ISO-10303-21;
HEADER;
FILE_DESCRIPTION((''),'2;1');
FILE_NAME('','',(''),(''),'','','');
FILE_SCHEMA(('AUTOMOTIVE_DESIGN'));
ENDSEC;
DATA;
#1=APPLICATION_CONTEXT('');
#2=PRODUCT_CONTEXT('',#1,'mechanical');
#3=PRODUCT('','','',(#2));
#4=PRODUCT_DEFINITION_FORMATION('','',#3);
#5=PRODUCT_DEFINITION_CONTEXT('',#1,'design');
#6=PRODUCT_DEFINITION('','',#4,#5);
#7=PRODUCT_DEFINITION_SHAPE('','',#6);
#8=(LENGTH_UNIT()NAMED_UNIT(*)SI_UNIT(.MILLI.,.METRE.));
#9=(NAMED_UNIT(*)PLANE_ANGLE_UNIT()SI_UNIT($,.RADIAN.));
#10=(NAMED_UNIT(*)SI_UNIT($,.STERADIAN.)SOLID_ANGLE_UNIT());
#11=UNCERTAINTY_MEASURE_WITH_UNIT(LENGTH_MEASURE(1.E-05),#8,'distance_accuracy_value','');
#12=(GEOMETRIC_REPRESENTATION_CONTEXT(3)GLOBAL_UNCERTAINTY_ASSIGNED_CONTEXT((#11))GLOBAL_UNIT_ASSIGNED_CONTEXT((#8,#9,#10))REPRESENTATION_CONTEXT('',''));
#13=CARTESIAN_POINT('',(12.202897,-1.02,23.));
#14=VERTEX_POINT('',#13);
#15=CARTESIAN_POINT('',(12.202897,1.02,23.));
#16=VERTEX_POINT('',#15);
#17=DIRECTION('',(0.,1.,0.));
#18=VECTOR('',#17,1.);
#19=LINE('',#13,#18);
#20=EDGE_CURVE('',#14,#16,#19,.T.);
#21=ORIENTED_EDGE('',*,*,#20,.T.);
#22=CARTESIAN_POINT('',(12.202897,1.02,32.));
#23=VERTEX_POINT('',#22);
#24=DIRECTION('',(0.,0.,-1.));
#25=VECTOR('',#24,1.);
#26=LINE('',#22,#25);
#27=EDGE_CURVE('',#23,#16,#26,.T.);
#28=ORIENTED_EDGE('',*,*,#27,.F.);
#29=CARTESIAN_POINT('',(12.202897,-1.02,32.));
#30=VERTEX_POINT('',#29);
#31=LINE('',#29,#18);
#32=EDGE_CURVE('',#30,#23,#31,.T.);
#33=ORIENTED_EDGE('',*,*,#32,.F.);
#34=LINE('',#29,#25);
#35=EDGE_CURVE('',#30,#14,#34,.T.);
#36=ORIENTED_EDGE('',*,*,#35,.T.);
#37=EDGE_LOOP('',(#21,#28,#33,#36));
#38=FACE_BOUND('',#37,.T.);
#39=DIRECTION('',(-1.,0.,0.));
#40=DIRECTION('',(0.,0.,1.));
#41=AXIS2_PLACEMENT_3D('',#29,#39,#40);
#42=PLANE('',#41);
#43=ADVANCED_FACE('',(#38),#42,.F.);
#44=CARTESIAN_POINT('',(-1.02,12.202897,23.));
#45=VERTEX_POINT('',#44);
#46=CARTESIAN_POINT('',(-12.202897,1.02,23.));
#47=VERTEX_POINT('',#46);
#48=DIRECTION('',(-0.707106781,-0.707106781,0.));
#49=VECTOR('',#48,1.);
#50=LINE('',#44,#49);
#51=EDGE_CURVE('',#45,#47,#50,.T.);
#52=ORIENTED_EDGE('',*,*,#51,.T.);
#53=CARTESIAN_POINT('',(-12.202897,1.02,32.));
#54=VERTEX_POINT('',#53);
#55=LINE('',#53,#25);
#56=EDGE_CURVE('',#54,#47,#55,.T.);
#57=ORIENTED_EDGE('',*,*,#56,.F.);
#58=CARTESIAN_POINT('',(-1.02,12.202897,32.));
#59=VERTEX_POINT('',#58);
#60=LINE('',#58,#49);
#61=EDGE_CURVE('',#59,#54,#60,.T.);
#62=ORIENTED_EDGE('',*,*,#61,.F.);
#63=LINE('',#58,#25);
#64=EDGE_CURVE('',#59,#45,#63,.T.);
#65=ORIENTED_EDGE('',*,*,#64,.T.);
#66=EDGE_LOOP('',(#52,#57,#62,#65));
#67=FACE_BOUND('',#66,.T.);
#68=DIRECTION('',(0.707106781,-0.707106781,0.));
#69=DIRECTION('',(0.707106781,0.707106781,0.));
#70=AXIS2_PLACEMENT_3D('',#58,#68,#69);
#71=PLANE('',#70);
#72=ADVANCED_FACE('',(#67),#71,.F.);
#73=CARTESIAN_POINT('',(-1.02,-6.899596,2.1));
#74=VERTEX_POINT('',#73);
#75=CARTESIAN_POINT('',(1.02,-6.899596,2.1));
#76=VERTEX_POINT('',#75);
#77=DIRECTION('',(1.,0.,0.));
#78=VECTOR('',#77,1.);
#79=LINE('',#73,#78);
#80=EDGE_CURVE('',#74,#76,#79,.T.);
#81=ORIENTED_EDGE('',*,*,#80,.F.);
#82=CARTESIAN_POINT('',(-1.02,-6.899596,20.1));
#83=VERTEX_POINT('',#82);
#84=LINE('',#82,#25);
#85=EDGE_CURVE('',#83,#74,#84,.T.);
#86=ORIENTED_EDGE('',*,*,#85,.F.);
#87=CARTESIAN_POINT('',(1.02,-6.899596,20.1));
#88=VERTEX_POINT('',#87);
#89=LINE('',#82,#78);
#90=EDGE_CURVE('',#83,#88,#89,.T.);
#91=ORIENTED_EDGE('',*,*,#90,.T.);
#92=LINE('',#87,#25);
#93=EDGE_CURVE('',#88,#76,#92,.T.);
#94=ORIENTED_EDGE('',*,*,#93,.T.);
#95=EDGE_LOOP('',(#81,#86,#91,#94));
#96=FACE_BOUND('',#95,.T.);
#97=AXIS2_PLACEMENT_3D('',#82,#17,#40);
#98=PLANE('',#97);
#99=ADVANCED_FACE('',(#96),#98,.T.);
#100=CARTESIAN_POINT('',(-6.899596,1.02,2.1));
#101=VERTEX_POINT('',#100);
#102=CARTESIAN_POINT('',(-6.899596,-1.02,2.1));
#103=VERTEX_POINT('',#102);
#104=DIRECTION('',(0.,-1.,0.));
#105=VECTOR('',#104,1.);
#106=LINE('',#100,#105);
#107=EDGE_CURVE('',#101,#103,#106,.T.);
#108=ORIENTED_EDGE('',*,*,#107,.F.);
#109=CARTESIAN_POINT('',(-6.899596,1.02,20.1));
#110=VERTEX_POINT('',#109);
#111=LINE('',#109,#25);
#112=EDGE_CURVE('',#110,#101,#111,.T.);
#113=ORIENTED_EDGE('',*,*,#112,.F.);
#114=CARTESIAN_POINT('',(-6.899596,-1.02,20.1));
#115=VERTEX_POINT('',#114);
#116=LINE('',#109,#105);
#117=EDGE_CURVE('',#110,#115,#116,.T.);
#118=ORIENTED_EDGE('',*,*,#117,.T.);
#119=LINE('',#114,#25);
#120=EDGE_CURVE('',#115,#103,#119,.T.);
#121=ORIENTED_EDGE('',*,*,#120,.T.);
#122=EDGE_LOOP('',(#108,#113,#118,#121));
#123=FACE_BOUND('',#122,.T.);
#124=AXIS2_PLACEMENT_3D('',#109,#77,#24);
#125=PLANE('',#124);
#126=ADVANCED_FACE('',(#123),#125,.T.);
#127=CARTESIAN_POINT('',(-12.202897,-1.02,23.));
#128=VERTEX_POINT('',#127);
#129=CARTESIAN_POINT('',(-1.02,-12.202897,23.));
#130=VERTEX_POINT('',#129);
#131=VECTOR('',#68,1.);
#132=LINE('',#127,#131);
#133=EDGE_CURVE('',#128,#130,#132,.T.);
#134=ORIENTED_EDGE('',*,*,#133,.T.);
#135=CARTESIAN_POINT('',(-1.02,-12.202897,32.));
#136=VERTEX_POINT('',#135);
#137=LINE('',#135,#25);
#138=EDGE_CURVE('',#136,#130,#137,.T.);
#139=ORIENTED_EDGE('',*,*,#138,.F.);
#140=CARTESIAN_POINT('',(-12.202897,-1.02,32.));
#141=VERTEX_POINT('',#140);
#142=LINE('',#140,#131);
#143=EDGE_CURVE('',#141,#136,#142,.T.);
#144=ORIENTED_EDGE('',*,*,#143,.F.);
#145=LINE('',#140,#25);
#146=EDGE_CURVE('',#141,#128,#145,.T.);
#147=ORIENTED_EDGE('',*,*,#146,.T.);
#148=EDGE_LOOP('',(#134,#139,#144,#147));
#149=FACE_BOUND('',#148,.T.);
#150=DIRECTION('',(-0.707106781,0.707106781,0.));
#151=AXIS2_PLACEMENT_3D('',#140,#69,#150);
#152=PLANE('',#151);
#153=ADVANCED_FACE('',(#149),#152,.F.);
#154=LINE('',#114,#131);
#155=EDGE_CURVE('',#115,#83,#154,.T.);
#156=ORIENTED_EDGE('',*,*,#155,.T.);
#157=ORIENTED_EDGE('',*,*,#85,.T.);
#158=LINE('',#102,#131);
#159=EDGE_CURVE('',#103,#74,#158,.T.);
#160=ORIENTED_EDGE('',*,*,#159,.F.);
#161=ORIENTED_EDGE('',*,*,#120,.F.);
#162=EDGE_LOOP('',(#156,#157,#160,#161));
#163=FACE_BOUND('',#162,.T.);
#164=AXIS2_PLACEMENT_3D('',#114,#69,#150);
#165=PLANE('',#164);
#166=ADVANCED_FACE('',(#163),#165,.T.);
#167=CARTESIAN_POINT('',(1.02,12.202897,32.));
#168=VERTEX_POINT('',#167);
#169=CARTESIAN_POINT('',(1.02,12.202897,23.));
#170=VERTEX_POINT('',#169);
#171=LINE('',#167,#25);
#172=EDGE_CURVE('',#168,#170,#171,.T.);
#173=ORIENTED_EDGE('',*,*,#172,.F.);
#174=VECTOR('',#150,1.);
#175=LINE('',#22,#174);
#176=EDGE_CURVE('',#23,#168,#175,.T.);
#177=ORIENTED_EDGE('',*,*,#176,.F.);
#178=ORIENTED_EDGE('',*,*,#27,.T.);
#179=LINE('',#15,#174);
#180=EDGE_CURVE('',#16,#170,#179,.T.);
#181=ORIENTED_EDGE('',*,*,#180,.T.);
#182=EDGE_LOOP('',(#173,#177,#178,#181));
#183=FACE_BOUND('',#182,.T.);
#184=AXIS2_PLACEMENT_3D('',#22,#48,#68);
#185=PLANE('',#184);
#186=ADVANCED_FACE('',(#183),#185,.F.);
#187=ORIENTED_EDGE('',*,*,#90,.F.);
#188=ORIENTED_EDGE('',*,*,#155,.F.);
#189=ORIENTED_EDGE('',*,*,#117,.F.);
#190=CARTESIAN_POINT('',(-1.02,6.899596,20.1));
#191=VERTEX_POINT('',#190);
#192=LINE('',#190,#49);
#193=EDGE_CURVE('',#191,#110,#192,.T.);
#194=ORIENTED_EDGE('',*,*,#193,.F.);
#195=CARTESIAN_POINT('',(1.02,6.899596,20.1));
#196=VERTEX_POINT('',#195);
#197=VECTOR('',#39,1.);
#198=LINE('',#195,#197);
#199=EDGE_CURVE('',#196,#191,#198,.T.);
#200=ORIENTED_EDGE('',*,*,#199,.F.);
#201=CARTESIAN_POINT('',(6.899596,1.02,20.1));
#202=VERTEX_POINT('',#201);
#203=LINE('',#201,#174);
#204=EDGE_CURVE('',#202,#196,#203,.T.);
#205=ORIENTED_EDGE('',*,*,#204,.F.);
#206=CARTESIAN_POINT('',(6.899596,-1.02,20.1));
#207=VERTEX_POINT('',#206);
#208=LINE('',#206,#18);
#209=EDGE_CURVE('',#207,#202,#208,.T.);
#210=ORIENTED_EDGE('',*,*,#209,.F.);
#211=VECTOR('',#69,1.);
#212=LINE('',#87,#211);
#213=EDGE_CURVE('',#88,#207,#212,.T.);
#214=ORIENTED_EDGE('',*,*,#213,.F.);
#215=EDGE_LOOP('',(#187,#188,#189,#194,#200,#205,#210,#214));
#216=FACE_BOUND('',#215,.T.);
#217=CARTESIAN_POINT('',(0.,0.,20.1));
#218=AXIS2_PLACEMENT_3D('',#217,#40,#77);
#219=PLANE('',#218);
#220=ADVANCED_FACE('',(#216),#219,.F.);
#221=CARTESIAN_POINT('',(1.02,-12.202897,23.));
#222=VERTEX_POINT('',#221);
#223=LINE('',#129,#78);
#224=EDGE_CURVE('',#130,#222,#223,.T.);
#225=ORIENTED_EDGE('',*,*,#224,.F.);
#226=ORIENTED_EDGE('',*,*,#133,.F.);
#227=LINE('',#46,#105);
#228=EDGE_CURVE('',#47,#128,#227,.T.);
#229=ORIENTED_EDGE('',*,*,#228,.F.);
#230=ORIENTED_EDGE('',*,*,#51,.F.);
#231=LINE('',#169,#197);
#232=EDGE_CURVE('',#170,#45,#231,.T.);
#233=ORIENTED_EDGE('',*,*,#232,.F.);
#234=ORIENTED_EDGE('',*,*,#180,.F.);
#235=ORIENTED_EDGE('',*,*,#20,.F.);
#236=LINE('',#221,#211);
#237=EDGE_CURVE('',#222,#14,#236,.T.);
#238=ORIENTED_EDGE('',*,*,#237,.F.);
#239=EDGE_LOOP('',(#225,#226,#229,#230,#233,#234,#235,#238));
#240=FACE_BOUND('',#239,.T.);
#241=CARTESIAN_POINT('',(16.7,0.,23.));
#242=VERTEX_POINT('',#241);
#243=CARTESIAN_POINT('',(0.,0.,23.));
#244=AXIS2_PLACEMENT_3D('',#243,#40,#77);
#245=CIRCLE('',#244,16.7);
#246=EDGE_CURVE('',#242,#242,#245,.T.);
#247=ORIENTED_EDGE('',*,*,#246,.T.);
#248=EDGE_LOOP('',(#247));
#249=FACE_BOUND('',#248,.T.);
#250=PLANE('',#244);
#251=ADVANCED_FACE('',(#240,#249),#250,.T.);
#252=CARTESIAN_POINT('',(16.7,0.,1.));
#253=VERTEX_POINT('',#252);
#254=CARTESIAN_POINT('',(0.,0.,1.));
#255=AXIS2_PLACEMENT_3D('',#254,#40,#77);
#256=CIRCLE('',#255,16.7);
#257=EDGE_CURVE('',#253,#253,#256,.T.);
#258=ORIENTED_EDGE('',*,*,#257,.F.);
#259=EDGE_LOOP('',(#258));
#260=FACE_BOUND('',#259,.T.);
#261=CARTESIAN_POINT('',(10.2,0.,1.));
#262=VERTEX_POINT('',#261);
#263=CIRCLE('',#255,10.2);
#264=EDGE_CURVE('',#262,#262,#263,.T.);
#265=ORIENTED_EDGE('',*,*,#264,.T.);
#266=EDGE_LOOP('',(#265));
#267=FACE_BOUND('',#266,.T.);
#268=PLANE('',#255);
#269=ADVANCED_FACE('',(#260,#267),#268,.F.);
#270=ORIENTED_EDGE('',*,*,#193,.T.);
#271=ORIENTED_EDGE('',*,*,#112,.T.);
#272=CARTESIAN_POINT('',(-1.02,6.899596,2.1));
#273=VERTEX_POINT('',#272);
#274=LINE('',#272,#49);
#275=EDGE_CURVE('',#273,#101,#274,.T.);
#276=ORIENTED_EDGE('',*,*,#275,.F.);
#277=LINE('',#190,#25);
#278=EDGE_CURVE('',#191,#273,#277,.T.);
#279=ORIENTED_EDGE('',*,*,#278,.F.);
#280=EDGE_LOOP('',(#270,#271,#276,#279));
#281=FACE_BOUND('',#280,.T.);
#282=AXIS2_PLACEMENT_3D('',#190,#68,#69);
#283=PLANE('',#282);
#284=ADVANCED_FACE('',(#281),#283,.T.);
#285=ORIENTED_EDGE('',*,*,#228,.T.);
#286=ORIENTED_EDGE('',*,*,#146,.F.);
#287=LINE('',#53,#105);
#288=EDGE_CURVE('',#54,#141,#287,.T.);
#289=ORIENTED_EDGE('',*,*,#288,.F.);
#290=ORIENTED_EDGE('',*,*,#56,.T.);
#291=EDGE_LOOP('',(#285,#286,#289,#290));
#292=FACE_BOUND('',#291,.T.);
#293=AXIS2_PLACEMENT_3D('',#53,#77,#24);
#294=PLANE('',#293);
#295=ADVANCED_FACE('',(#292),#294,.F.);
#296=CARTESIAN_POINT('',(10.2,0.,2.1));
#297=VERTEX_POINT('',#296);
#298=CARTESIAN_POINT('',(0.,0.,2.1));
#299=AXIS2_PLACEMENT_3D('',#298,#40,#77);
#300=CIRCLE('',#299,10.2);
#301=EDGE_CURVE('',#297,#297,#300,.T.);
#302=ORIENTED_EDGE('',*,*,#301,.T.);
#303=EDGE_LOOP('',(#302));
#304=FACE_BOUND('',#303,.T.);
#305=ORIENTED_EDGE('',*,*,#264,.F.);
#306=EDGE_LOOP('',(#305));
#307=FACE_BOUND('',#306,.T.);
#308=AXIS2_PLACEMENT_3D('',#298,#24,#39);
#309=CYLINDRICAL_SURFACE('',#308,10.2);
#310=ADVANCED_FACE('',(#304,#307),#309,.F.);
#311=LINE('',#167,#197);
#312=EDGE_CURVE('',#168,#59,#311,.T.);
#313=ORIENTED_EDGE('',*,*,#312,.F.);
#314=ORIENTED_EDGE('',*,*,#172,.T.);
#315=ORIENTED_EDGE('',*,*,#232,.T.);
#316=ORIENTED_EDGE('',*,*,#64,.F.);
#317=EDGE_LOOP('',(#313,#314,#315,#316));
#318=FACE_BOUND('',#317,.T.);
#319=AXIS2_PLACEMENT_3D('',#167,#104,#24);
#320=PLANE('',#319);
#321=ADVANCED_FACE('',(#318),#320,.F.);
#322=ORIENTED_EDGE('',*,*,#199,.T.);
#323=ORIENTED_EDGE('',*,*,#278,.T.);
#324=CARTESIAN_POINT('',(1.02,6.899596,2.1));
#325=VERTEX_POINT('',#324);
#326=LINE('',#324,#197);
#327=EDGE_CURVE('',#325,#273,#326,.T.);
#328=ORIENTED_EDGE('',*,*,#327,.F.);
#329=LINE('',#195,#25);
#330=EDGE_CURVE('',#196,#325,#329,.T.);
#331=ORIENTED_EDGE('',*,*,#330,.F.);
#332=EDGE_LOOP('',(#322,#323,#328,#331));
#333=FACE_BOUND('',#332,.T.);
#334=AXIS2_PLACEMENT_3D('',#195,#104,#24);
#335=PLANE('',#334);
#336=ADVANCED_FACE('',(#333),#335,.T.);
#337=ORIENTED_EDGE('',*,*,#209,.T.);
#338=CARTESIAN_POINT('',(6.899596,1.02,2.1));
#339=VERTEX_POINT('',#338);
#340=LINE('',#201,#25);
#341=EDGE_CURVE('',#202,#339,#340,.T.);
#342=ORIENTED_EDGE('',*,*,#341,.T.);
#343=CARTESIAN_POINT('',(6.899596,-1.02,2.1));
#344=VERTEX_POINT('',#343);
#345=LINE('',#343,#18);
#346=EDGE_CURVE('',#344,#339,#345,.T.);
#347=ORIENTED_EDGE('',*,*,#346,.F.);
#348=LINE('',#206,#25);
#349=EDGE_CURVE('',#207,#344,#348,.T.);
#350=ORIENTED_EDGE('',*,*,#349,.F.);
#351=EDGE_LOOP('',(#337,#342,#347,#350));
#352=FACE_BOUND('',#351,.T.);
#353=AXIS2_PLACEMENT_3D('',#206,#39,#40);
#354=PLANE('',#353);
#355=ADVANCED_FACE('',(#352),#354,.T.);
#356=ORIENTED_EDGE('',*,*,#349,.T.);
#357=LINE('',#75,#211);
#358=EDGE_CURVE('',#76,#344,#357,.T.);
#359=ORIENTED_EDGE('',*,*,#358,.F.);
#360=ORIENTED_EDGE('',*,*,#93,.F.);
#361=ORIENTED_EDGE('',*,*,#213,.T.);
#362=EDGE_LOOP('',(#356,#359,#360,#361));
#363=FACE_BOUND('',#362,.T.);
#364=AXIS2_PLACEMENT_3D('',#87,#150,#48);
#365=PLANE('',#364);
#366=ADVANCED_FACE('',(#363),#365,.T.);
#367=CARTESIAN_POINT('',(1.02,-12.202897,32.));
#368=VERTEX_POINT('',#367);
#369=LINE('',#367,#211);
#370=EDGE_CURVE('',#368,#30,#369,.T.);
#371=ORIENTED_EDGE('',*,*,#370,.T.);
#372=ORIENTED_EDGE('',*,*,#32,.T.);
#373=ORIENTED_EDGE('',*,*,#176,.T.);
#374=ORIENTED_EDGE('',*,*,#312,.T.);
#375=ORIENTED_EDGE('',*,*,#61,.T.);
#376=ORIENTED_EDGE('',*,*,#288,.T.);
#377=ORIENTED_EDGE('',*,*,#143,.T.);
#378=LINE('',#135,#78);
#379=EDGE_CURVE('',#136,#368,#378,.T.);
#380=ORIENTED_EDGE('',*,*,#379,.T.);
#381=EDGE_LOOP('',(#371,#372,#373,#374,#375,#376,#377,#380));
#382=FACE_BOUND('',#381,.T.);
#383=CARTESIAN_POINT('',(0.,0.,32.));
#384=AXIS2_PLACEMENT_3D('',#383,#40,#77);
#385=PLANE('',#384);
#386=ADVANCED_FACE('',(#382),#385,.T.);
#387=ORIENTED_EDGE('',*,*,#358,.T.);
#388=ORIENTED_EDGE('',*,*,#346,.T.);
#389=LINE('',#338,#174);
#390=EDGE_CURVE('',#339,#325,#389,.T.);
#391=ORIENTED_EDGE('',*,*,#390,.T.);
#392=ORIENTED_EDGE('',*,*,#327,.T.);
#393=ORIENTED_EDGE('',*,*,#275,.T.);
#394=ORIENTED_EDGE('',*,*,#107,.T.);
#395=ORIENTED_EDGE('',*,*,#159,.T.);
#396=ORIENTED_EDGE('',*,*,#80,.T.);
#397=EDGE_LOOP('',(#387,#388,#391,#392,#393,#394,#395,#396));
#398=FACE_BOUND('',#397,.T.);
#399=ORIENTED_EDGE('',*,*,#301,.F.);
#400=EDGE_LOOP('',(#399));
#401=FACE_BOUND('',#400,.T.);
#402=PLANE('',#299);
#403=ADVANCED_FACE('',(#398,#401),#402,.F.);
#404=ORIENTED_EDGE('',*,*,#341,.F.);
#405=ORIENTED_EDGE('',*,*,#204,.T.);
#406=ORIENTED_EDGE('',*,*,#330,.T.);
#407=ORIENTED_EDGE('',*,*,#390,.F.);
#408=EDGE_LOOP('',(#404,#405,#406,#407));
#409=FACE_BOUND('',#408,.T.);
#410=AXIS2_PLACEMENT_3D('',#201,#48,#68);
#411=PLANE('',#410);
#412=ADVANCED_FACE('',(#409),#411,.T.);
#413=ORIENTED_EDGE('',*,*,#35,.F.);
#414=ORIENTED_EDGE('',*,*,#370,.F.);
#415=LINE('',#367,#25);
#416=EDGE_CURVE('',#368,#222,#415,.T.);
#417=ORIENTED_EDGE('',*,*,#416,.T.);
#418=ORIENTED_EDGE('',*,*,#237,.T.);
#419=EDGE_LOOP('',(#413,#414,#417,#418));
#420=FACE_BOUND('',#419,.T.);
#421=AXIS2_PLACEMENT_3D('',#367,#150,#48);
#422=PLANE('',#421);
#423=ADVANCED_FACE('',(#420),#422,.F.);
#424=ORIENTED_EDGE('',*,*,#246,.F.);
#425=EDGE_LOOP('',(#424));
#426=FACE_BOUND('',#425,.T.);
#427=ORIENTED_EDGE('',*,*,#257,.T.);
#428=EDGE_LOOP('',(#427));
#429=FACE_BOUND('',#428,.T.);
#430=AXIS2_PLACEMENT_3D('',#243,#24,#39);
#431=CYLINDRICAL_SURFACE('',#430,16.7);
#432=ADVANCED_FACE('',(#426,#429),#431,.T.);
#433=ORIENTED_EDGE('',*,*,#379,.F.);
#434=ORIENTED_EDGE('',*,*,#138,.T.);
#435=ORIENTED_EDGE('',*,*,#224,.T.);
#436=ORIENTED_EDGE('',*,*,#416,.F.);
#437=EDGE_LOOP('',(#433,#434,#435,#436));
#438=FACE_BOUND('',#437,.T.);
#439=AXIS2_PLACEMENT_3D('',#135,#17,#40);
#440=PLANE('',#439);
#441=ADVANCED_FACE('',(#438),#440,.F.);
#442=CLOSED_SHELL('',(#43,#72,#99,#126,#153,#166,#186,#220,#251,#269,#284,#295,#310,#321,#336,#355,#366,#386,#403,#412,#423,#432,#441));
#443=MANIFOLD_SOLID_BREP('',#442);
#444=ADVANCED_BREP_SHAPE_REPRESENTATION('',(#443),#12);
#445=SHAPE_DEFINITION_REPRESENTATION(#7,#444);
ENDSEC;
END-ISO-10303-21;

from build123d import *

# Parameters (mm, degrees)
REPLACEABLE_START                           = 1
SKETCH1_R                                   = 16.7
REPLACEABLE_DRIVE_INSERT_BODY_DEPTH         = 22
COMMON_START                                = 23
COMMON_POSITIVE_DRIVE_TANG_DEPTH            = 9
VALVE_START                                 = 1
VALVE_STEM_SOCKET_NOMINAL_FLATS_11_MM_DEPTH = 19.1
STEM_START                                  = 1
SKETCH4_R                                   = 10.2
STEM_CORNER_CLEARANCE_AT_ENTRY_DEPTH        = 1.1


with BuildPart() as part:
    # Sketch1 → Replaceable drive insert body (new body)
    with BuildSketch(Plane.XY.offset(REPLACEABLE_START)):
        Circle(SKETCH1_R)
    extrude(amount=REPLACEABLE_DRIVE_INSERT_BODY_DEPTH)

    # Sketch2 → Common positive drive tang (add)
    with BuildSketch(Plane.XY.offset(COMMON_START)):
        Polygon((1.02, 12.202896808), (-1.02, 12.202896808), (-12.202896808, 1.02), (-12.202896808, -1.02), (-1.02, -12.202896808), (1.02, -12.202896808), (12.202896808, -1.02), (12.202896808, 1.02), align=None)
    extrude(amount=COMMON_POSITIVE_DRIVE_TANG_DEPTH)

    # Sketch3 → Valve stem socket, nominal flats 11 mm (cut)
    with BuildSketch(Plane.XY.offset(VALVE_START)):
        Polygon((1.02, 6.899595949), (-1.02, 6.899595949), (-6.899595949, 1.02), (-6.899595949, -1.02), (-1.02, -6.899595949), (1.02, -6.899595949), (6.899595949, -1.02), (6.899595949, 1.02), align=None)
    extrude(amount=VALVE_STEM_SOCKET_NOMINAL_FLATS_11_MM_DEPTH, mode=Mode.SUBTRACT)

    # Sketch4 → Stem corner clearance at entry (cut)
    with BuildSketch(Plane.XY.offset(STEM_START)):
        Circle(SKETCH4_R)
    extrude(amount=STEM_CORNER_CLEARANCE_AT_ENTRY_DEPTH, mode=Mode.SUBTRACT)


solid = part.part
